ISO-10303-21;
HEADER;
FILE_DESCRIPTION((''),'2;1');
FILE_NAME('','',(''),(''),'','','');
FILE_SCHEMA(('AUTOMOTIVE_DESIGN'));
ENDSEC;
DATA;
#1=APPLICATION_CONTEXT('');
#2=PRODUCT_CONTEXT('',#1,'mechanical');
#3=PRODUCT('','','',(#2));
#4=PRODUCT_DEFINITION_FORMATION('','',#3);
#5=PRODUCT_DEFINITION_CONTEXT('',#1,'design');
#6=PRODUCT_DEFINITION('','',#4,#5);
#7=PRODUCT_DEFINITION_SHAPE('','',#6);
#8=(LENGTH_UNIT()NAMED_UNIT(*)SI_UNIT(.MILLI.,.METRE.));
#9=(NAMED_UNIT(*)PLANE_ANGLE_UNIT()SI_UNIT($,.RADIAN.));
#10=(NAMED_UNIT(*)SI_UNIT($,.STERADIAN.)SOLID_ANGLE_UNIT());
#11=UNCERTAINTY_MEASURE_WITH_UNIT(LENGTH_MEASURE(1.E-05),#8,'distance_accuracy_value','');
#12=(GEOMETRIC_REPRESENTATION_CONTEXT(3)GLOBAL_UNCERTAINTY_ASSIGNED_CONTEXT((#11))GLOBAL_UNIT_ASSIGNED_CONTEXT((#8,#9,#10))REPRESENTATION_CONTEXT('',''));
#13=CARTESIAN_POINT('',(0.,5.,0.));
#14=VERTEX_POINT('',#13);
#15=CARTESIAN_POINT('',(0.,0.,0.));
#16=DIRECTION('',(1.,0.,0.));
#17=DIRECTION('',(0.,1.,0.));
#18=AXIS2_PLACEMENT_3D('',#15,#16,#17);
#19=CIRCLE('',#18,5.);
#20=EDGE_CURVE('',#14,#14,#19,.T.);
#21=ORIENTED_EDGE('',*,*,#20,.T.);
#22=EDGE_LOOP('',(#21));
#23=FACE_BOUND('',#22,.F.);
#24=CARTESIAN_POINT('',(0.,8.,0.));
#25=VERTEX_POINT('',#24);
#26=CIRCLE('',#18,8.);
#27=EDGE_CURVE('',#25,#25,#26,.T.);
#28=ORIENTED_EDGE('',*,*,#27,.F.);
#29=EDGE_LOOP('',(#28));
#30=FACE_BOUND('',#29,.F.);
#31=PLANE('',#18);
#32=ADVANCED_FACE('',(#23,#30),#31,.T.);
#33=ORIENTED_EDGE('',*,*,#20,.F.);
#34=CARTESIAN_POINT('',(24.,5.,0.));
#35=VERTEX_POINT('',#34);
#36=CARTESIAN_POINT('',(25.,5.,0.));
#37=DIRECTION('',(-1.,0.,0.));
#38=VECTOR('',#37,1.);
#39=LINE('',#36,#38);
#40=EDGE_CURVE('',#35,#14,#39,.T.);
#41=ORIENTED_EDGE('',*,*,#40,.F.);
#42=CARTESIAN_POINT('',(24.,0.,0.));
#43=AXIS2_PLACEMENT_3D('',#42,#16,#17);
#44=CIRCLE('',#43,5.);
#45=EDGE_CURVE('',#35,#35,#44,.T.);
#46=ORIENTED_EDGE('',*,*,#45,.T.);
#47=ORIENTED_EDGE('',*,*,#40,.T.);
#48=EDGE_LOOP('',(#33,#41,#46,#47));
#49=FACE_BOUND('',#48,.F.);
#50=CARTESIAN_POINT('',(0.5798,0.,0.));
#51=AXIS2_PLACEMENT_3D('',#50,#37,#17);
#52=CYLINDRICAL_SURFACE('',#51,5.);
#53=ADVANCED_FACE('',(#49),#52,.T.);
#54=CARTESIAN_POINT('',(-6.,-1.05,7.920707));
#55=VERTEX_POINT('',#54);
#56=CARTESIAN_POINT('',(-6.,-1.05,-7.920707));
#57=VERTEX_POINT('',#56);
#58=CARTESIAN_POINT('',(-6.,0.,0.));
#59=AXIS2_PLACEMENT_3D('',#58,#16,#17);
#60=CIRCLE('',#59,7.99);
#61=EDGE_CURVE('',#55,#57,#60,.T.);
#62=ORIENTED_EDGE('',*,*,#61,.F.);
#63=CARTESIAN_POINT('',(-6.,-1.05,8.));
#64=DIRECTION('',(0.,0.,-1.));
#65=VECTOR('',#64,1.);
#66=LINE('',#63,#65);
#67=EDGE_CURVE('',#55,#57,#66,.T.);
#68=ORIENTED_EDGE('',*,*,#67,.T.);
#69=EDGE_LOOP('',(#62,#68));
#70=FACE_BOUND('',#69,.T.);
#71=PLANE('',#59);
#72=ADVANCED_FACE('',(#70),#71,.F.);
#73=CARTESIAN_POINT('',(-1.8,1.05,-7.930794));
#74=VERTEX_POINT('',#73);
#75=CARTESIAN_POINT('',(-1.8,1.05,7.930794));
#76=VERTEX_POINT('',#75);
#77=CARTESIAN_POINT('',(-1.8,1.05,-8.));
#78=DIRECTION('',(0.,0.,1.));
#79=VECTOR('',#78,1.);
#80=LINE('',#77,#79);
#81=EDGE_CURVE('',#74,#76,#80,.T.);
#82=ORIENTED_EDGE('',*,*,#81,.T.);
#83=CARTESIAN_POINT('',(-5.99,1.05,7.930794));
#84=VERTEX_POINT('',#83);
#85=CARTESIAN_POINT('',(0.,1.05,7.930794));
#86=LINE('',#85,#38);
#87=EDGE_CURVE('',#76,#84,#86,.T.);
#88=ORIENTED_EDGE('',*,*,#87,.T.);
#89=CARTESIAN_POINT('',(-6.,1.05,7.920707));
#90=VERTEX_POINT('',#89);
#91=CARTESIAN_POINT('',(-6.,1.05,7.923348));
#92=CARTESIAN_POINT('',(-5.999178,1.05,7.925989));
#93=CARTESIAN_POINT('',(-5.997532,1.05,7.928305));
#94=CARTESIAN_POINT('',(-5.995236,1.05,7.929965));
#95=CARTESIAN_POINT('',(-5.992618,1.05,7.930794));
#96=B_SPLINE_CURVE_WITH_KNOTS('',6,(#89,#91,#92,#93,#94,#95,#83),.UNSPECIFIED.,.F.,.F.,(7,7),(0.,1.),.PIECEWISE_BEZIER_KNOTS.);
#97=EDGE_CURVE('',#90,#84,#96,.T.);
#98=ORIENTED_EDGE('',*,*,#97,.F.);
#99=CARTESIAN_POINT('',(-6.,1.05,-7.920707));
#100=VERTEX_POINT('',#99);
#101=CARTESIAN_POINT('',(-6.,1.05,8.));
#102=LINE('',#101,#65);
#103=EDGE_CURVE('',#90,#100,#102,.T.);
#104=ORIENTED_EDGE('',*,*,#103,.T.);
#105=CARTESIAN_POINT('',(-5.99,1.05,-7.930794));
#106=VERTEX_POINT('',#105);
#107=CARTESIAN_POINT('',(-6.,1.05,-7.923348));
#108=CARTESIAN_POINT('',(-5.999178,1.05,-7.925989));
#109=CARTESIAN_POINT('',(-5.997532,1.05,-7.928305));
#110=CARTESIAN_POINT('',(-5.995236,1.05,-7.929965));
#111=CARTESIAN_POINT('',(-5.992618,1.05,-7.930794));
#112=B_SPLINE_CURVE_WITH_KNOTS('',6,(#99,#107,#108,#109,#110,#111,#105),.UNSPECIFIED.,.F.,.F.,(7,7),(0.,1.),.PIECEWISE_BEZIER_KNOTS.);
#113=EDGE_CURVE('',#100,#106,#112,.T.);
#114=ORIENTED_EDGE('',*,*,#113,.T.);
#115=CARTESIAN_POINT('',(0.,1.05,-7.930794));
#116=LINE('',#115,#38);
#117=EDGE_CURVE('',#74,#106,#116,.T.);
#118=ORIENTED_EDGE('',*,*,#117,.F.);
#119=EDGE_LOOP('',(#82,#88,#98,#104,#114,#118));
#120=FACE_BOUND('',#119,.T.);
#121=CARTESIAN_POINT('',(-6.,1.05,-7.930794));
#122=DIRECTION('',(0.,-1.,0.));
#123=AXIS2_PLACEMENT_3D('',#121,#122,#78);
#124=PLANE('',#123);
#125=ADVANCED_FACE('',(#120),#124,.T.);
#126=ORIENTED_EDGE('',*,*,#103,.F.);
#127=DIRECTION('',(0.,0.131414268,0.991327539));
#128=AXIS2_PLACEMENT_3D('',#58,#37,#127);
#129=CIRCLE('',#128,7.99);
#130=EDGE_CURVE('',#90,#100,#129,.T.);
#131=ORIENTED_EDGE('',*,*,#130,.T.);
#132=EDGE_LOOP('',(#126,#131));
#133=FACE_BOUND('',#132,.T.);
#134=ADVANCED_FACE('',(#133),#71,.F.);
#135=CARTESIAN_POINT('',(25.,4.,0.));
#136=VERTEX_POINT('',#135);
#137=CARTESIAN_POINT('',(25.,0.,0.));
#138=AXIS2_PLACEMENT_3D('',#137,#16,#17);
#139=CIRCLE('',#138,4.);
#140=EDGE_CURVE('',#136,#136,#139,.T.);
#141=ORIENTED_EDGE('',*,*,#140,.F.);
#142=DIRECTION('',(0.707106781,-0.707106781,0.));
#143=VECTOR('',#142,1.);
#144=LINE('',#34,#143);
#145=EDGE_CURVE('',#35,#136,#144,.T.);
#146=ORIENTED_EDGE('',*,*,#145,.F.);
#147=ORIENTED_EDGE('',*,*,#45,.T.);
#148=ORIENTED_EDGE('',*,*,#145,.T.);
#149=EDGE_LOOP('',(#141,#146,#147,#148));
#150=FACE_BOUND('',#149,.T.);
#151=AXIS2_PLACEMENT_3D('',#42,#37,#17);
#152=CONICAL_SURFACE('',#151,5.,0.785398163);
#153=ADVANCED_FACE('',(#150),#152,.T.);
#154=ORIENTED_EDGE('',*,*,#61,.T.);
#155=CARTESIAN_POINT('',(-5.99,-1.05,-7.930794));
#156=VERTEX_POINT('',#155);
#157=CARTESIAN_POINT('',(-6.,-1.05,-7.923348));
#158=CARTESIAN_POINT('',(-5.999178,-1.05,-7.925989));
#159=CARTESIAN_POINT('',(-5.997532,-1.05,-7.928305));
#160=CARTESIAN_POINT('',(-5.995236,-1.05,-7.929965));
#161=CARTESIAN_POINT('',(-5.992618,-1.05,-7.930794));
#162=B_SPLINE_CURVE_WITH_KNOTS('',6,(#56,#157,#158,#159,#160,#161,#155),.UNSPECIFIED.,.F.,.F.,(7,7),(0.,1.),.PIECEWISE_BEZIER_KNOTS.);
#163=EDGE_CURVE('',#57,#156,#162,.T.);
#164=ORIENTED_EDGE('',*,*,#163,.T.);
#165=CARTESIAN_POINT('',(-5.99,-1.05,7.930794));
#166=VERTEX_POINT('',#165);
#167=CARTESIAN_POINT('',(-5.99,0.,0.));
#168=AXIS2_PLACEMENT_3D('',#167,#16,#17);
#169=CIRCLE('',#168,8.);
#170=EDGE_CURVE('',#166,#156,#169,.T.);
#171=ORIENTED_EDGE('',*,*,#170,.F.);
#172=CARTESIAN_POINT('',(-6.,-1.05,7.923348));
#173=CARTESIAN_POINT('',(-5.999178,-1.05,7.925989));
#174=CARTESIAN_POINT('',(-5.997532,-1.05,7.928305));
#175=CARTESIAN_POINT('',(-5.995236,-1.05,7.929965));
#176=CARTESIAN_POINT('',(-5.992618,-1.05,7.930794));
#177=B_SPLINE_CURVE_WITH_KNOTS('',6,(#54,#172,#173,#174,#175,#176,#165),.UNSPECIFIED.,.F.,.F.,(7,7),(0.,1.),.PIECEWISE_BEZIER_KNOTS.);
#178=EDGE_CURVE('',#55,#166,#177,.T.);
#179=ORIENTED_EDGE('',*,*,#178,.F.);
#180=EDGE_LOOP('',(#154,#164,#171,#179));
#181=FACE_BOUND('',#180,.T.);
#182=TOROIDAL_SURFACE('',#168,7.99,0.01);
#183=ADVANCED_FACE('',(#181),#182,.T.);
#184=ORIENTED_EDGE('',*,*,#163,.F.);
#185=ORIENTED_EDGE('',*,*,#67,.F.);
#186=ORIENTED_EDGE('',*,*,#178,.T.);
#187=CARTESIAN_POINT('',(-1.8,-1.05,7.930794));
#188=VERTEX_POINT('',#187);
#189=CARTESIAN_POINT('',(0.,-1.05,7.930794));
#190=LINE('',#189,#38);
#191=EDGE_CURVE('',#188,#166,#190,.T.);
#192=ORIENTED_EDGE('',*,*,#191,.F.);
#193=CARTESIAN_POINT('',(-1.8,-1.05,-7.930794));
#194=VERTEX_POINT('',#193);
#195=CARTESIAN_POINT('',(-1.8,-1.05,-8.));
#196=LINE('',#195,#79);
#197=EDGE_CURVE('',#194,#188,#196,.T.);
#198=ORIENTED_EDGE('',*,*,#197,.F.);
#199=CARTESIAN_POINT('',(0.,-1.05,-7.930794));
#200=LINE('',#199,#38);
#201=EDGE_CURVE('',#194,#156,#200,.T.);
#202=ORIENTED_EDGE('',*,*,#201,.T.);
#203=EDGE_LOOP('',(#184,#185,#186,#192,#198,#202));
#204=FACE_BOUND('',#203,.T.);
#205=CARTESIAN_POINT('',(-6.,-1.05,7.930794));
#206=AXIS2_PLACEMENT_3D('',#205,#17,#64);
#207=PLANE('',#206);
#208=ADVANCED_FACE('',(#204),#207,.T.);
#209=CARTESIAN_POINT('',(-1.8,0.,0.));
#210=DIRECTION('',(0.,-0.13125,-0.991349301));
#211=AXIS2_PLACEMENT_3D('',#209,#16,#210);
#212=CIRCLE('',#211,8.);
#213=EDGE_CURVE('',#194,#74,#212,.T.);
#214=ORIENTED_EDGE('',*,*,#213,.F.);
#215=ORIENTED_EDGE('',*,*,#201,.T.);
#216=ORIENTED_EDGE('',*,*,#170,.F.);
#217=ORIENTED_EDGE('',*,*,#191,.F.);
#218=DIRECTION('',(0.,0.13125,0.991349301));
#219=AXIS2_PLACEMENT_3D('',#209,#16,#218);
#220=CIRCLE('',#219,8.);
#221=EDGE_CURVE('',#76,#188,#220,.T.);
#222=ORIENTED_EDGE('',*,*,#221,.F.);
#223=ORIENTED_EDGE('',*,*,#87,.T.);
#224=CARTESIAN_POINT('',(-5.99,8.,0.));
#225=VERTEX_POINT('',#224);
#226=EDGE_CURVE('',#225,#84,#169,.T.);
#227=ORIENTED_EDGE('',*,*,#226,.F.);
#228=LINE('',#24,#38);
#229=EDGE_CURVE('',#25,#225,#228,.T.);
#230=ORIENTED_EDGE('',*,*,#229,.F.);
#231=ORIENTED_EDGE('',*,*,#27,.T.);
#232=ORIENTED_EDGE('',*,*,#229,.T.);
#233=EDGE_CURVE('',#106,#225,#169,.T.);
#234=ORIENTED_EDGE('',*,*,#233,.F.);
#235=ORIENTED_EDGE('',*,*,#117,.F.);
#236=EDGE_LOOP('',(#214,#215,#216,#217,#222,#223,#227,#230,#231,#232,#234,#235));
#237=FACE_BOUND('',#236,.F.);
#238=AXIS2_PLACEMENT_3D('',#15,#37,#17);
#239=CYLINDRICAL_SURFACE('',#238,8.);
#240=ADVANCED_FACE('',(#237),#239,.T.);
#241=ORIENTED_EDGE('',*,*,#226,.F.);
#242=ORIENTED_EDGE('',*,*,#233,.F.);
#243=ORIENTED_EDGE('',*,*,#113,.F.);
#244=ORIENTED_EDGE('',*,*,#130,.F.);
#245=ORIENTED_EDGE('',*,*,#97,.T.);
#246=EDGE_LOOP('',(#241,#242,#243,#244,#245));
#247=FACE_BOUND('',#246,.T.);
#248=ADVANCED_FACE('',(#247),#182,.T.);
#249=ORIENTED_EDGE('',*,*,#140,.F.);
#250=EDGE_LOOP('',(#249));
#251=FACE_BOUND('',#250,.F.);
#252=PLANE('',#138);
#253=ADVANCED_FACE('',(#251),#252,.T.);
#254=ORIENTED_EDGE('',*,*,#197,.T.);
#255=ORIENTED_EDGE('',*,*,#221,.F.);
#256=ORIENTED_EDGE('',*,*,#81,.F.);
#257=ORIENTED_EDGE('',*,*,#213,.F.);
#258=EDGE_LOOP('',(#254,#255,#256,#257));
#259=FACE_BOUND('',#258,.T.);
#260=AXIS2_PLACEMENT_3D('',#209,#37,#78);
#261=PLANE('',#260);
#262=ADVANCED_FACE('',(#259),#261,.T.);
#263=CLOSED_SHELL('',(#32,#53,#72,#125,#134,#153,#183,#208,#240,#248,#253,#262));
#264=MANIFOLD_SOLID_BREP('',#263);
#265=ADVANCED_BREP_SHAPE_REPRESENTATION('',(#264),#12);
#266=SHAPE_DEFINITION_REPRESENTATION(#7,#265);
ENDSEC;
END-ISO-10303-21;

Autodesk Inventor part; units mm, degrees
ref_plane "YZ Plane" through (0, 0, 0) normal (1, 0, 0) x (0, 1, 0)
ref_plane "XZ Plane" through (0, 0, 0) normal (0, 1, 0) x (-1, 0, 0)
sketch "Эскиз1" plane through (0, 0, 0) normal (0, 0, 1) x (1, 0, 0)
  line L0 (-6, 0) -> (25, 0)
  line L1 (25, 0) -> (25, 5)
  line L2 (25, 5) -> (1.5, 5)
  line L3 (1.5, 5) -> (0.5798, 5)
  line L4 (0.5798, 5) -> (0, 5)
  line L5 (0, 5) -> (0, 8)
  line L6 (-12.2, 0) -> (31.2, 0) projected
  line L7 (0, -1.6) -> (0, 9.6) projected
  line L8 (-6, 0) -> (-6, 8)
  line L9 (0, 8) -> (-6, 8)
  dimension "d0" = 25
  dimension "d1" = 23.5
  dimension "d2" = 0.9202
  dimension "d3" = 6
  dimension "d4" = 10
  dimension "d5" = 10
  dimension "d9" = 16
  dimension "d10" = 0
revolve "Базовый элемент" add sketch "Эскиз1" angle 360 about axis through (-6, 0, 0) along (1, 0, 0)
sketch "Эскиз2" plane through (-6, 0, 0) normal (-1, 0, 0) x (0, 0, 1)
  circle A0 centre (0, 0) radius 8 projected
  line L0 (0, 0) -> (0, 8) projected
  line L1 (-8, 1.05) -> (8, 1.05)
  line L2 (8, 1.05) -> (8, -1.05)
  line L3 (8, -1.05) -> (-8, -1.05)
  line L4 (-8, -1.05) -> (-8, 1.05)
  line L5 (-8, 0) -> (8, 0) construction
  line L6 (0, 1.05) -> (0, -1.05) construction
  dimension "d11" = 2.1
  dimension "d12" = 16
fillet "Сопряжение1" radius 0.01 1 edges at (-6, -8, 0)
extrude "Паз" cut sketch "Эскиз2" against normal blind 4.2 contours A0 L3 L1 | L2 L3 A0 | A0 L1 L2 | L3 L4 A0 | A0 L4 L1
thread "Резьба" size "M10x1.5" class "6g" standard "ISO Metric profile" length 23.5
chamfer "Chamfer4" distance 1 angle 45 1 edges at (25, -5, 0)
ref_plane "Work Plane1" through (30.1625, 0, 0) normal (0, 0, -1) x (1, 0, 0)
equation "\"d11\" = SBR"
equation "\"d12\" = KOD"
equation "\"d13\" = RR"
equation "\"d16\" = STI"
equation "\"d14\" = GEL"
equation "\"d40\" = 0.1 * GD"
equation "\"d0\" = NLG"
equation "\"d1\" = GEL"
equation "\"d2\" = GAL"
equation "\"d3\" = KOH"
equation "\"d4\" = GD"
equation "\"d5\" = BDM"
equation "\"d9\" = KOD"
equation "\"GD\" = NND"
equation "\"NLG\" = 25"
equation "\"GEL\" = 23.5"
equation "\"KOD\" = 16"
equation "\"KOH\" = 6"
equation "\"GAL\" = 0.61345 * PTC"
equation "\"BDM\" = NND"
equation "\"RR\" = 0.01"
equation "\"SBR\" = 2.1"
equation "\"STI\" = 4.2"
equation "\"KEWI\" = 0"
equation "\"GUL\" = 0.61345 * PTC"
equation "\"SPD\" = NND - 1.2269 * PTC"
equation "\"PTC\" = 1.5"
equation "\"TOA\" = 30deg"
equation "\"FAWI\" = 45deg"
equation "\"GD1\" = THREADDIA - 1.2269 * PTC"
equation "\"NND\" = 10"
equation "\"THREADDIA\" = 10"
properties part number "Винт M10-6gx25 ГОСТ 1491-80" material "Сталь, мягкая"
